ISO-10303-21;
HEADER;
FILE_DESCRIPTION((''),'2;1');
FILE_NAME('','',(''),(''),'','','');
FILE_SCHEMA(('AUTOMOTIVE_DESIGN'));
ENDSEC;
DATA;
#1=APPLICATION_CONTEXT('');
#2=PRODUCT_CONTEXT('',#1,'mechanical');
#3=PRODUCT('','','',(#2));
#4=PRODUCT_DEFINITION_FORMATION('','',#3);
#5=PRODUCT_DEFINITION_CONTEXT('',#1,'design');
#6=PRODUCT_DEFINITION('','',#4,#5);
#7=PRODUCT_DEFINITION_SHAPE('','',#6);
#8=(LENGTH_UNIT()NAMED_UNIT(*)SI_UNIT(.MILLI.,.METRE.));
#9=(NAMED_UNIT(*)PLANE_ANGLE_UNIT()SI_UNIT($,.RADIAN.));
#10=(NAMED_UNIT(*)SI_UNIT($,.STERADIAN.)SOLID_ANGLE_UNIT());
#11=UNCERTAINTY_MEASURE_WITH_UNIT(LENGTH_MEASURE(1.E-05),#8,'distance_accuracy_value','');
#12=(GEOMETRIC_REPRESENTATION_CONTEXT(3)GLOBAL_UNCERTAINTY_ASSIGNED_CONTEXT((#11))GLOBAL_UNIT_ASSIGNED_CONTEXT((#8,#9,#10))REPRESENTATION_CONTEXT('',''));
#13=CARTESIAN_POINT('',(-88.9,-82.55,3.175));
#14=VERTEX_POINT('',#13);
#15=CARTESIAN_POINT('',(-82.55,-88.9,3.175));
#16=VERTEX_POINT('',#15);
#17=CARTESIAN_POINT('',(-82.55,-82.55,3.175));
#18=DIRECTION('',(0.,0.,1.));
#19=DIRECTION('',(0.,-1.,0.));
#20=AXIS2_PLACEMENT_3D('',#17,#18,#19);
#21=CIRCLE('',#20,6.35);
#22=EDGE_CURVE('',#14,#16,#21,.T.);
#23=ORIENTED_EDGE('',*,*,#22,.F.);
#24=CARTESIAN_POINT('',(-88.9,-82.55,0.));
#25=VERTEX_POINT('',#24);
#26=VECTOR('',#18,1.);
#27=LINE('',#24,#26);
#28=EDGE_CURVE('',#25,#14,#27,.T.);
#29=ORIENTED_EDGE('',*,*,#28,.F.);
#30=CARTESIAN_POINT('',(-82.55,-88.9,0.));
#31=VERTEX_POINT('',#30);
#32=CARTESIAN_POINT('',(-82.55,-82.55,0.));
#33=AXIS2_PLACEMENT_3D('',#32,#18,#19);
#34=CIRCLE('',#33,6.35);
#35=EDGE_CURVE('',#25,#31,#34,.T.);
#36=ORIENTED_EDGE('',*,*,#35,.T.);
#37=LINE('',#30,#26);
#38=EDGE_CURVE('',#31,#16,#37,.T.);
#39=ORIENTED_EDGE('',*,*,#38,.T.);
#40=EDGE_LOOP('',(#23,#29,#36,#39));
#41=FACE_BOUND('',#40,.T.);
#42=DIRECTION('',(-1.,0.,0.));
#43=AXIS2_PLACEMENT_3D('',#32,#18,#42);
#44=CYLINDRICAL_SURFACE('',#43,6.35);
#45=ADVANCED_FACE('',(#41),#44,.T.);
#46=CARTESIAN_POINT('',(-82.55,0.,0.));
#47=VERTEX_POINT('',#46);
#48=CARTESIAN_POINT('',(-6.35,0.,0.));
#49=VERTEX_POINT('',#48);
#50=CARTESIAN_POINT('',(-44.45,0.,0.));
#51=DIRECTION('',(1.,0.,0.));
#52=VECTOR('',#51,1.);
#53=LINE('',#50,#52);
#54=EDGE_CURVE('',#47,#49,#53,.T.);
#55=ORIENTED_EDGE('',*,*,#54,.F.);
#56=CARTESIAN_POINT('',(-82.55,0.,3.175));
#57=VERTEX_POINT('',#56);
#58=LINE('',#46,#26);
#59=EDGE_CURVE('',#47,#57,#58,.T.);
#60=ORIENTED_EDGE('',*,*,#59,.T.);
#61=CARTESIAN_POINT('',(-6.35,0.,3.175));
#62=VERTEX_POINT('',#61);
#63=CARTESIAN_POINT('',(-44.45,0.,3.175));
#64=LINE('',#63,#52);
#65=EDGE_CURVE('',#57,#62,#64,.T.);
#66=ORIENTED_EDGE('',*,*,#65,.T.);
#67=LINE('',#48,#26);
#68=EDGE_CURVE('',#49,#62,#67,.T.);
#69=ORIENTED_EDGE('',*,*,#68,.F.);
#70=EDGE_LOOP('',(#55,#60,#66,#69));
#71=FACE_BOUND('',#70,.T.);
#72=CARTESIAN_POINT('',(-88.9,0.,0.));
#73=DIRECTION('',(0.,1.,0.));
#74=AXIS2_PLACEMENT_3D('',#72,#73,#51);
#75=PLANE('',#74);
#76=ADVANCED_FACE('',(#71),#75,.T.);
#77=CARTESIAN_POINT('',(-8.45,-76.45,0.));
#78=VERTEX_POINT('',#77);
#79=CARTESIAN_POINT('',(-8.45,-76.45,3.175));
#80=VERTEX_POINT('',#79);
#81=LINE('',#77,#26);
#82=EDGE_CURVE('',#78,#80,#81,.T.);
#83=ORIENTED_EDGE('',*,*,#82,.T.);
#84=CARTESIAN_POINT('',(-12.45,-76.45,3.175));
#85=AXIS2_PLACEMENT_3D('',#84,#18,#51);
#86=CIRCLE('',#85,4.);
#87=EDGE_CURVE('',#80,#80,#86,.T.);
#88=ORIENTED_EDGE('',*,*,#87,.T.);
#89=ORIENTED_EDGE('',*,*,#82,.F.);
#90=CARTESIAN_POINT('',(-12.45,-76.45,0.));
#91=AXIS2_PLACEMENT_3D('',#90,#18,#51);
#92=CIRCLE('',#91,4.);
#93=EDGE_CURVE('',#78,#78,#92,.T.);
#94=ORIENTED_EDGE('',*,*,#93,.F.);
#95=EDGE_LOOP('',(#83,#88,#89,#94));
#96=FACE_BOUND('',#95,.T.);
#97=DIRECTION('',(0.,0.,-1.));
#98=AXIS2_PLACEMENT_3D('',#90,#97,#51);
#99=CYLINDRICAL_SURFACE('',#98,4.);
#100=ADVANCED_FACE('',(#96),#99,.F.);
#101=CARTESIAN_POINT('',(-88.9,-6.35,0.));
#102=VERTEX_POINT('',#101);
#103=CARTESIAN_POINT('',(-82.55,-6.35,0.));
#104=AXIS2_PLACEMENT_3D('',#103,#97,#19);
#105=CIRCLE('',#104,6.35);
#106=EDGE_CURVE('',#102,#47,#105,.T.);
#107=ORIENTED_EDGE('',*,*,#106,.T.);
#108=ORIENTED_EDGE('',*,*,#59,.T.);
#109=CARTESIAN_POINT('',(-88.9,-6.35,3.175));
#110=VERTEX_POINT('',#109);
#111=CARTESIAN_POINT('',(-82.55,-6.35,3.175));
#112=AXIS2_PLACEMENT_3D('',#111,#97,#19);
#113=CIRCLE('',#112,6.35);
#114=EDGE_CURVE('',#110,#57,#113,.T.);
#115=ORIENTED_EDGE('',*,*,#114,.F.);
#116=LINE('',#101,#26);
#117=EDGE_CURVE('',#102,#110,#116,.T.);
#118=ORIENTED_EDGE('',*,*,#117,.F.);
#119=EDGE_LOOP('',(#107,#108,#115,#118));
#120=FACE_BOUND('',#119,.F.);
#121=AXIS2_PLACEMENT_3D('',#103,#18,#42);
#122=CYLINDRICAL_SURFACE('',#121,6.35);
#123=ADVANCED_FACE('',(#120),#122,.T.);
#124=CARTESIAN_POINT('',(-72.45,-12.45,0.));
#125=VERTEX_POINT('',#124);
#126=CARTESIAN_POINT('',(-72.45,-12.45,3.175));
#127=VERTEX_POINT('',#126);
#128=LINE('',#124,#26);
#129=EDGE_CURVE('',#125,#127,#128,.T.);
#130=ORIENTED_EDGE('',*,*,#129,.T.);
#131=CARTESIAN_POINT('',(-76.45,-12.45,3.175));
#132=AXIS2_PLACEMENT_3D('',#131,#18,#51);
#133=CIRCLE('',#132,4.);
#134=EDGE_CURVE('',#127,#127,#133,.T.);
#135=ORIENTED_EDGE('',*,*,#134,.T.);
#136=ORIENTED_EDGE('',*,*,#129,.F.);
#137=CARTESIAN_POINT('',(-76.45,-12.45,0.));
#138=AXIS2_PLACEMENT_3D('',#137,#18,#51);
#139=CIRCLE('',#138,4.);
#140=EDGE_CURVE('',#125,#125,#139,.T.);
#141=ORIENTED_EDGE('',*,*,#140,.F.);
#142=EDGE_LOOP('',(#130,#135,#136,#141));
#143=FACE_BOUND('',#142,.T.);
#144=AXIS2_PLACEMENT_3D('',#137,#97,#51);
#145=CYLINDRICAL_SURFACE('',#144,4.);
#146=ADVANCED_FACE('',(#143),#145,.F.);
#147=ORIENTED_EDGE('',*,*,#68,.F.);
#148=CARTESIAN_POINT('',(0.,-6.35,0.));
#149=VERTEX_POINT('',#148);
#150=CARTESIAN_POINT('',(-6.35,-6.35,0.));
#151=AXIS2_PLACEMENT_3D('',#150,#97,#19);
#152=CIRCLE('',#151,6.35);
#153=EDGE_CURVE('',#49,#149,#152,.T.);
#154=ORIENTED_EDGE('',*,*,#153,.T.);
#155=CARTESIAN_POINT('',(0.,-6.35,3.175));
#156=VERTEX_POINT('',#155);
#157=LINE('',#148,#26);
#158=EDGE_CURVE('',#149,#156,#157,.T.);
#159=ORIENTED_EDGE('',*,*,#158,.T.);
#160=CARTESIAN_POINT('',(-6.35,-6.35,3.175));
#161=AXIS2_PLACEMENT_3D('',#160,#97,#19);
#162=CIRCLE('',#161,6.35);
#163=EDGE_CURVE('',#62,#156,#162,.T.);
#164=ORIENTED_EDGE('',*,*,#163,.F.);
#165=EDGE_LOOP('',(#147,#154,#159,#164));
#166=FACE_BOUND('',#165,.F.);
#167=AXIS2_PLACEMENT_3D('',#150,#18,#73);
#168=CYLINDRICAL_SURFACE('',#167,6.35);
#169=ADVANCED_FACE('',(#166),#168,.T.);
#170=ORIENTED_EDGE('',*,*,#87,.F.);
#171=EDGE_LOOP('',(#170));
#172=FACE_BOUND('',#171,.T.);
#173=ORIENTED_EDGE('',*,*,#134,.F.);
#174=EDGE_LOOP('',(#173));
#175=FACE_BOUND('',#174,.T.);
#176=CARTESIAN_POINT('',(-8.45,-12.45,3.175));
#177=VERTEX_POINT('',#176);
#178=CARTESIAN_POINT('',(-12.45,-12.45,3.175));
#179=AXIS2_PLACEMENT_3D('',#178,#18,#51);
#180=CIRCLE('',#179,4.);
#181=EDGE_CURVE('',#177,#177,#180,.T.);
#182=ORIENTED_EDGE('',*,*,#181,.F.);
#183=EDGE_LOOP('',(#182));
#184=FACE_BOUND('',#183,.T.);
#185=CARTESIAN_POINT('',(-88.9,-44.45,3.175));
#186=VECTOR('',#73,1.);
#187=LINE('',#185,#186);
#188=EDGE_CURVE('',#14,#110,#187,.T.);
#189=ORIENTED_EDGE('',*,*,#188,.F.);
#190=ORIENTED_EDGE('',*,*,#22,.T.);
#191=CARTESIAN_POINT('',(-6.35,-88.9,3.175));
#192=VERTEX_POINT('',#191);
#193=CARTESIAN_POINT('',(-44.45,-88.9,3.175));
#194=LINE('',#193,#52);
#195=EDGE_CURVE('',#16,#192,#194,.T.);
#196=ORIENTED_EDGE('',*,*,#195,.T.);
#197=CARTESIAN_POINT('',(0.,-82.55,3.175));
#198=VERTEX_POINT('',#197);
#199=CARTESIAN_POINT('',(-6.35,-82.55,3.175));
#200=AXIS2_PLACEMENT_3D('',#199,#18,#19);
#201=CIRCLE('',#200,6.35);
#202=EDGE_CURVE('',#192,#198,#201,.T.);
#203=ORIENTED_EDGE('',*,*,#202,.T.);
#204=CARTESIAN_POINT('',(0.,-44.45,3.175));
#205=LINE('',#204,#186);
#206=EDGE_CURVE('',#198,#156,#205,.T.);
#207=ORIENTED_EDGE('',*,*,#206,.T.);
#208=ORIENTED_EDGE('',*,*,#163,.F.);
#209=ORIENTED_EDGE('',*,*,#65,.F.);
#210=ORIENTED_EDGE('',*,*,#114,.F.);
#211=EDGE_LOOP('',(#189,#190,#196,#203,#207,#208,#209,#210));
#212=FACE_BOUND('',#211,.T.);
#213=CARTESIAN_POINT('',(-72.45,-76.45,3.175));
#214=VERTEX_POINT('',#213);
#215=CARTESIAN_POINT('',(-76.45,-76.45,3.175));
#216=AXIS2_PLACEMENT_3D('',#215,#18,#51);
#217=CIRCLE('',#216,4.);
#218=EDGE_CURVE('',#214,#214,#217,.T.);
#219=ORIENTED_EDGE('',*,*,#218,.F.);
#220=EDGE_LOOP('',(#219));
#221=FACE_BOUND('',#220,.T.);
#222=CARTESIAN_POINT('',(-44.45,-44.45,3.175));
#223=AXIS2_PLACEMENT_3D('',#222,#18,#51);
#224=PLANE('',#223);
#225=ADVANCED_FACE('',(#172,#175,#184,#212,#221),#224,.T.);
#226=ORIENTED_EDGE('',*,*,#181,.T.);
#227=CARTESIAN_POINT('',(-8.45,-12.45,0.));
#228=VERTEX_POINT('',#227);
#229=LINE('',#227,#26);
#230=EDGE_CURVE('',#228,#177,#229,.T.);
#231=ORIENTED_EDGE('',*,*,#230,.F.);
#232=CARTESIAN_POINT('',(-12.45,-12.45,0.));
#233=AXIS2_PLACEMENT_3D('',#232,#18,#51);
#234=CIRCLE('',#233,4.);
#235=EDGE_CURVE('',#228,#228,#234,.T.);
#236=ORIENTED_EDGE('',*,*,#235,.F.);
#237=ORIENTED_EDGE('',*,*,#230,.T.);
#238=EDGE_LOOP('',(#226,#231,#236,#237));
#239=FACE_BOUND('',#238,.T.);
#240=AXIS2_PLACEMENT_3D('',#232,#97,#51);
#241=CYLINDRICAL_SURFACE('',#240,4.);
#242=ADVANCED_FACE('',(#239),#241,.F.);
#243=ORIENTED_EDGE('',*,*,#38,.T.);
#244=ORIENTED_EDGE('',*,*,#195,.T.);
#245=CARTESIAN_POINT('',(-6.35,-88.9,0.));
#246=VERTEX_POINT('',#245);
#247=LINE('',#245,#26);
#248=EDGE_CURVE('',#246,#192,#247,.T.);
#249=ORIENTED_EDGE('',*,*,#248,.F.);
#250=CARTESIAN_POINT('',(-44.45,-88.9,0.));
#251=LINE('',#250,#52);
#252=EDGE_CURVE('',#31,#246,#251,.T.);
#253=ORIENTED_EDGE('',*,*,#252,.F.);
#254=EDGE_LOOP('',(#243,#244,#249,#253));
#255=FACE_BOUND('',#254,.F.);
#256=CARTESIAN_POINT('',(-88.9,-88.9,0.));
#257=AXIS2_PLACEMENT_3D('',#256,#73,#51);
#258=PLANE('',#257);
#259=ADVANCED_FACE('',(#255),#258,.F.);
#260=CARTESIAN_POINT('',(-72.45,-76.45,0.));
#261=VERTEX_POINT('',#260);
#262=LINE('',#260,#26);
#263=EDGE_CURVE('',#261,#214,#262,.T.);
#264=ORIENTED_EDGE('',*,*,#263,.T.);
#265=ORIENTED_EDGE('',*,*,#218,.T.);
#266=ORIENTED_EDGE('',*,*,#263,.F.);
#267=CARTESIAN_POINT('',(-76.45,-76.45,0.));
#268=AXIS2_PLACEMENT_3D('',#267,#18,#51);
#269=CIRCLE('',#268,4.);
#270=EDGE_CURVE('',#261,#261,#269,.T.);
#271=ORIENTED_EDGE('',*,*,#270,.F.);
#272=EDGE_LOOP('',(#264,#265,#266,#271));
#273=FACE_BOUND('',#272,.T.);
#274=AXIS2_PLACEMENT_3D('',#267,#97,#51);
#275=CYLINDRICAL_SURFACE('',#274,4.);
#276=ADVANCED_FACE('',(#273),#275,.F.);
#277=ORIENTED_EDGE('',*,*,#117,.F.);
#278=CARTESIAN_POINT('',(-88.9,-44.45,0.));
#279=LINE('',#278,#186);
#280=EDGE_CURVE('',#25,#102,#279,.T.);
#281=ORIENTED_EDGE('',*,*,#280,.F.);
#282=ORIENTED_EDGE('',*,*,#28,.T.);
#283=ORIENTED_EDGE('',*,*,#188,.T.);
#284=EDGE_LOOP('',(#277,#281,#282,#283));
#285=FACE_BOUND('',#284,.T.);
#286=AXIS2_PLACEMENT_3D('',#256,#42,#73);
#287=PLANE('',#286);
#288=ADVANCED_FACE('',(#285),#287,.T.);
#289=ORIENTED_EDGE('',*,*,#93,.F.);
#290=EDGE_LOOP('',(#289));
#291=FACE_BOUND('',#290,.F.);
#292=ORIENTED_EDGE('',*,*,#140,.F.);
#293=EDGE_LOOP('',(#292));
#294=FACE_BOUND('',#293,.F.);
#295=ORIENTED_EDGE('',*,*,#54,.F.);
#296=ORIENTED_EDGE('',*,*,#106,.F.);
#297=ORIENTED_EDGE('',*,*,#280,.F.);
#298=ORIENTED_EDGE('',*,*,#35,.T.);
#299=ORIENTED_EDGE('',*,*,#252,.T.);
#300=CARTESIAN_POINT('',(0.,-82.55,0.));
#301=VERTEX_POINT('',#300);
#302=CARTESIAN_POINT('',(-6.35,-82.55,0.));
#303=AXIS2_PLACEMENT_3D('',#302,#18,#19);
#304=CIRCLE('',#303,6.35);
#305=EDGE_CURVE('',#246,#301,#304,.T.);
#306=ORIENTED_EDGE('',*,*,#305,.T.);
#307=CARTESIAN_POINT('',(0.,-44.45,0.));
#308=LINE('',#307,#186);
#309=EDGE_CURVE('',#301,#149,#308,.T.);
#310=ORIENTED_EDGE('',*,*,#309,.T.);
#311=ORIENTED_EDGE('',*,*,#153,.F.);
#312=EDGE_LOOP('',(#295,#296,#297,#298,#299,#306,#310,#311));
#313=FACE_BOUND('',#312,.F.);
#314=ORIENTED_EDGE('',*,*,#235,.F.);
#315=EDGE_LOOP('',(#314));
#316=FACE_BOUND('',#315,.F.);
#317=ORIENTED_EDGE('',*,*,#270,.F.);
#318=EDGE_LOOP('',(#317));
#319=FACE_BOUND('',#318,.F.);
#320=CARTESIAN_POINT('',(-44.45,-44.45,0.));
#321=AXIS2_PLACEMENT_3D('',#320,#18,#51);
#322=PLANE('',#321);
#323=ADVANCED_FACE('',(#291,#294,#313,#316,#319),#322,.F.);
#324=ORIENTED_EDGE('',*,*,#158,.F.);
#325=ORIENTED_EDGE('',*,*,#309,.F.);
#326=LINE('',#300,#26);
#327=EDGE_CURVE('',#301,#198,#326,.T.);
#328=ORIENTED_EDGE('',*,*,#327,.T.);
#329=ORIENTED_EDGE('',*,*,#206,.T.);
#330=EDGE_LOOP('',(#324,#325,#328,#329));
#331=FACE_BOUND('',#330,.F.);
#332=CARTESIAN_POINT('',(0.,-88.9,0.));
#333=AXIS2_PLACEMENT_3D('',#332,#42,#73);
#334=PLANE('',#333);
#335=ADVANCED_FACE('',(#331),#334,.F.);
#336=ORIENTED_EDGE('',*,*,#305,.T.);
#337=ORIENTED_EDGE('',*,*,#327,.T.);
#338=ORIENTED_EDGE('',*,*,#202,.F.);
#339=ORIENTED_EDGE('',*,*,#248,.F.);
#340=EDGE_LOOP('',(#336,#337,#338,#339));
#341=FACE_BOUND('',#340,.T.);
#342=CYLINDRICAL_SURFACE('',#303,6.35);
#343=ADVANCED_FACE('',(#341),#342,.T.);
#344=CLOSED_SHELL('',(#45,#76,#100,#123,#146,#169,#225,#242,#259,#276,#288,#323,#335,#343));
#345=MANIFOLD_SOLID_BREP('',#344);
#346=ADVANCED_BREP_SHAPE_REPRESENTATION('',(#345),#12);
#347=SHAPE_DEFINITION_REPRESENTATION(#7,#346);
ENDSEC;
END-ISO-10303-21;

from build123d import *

# Parameters (mm, degrees)
F0_W     = 88.9
F0_H     = 88.9
F0_R     = 4
F1_DEPTH = 3.175
F2_R     = 6.35


with BuildPart() as f1:
    # F0 (on Top) → F1 (new body)
    with BuildSketch(Plane.XY):
        with Locations((-44.45, -44.45)):
            Rectangle(F0_W, F0_H)
        with Locations((-76.45, -76.45)):
            Circle(F0_R, mode=Mode.SUBTRACT)
        with Locations((-12.45, -76.45)):
            Circle(F0_R, mode=Mode.SUBTRACT)
        with Locations((-76.45, -12.45)):
            Circle(F0_R, mode=Mode.SUBTRACT)
        with Locations((-12.45, -12.45)):
            Circle(F0_R, mode=Mode.SUBTRACT)
    extrude(amount=F1_DEPTH)

    # F2
    f2_edges = [f1.edges().sort_by_distance(p)[0] for p in [
        (-88.9, 0, 1.5875),
        (-88.9, -88.9, 1.5875),
        (0, -88.9, 1.5875),
        (0, 0, 1.5875),
    ]]
    fillet(f2_edges, radius=F2_R)


solid = f1.part
